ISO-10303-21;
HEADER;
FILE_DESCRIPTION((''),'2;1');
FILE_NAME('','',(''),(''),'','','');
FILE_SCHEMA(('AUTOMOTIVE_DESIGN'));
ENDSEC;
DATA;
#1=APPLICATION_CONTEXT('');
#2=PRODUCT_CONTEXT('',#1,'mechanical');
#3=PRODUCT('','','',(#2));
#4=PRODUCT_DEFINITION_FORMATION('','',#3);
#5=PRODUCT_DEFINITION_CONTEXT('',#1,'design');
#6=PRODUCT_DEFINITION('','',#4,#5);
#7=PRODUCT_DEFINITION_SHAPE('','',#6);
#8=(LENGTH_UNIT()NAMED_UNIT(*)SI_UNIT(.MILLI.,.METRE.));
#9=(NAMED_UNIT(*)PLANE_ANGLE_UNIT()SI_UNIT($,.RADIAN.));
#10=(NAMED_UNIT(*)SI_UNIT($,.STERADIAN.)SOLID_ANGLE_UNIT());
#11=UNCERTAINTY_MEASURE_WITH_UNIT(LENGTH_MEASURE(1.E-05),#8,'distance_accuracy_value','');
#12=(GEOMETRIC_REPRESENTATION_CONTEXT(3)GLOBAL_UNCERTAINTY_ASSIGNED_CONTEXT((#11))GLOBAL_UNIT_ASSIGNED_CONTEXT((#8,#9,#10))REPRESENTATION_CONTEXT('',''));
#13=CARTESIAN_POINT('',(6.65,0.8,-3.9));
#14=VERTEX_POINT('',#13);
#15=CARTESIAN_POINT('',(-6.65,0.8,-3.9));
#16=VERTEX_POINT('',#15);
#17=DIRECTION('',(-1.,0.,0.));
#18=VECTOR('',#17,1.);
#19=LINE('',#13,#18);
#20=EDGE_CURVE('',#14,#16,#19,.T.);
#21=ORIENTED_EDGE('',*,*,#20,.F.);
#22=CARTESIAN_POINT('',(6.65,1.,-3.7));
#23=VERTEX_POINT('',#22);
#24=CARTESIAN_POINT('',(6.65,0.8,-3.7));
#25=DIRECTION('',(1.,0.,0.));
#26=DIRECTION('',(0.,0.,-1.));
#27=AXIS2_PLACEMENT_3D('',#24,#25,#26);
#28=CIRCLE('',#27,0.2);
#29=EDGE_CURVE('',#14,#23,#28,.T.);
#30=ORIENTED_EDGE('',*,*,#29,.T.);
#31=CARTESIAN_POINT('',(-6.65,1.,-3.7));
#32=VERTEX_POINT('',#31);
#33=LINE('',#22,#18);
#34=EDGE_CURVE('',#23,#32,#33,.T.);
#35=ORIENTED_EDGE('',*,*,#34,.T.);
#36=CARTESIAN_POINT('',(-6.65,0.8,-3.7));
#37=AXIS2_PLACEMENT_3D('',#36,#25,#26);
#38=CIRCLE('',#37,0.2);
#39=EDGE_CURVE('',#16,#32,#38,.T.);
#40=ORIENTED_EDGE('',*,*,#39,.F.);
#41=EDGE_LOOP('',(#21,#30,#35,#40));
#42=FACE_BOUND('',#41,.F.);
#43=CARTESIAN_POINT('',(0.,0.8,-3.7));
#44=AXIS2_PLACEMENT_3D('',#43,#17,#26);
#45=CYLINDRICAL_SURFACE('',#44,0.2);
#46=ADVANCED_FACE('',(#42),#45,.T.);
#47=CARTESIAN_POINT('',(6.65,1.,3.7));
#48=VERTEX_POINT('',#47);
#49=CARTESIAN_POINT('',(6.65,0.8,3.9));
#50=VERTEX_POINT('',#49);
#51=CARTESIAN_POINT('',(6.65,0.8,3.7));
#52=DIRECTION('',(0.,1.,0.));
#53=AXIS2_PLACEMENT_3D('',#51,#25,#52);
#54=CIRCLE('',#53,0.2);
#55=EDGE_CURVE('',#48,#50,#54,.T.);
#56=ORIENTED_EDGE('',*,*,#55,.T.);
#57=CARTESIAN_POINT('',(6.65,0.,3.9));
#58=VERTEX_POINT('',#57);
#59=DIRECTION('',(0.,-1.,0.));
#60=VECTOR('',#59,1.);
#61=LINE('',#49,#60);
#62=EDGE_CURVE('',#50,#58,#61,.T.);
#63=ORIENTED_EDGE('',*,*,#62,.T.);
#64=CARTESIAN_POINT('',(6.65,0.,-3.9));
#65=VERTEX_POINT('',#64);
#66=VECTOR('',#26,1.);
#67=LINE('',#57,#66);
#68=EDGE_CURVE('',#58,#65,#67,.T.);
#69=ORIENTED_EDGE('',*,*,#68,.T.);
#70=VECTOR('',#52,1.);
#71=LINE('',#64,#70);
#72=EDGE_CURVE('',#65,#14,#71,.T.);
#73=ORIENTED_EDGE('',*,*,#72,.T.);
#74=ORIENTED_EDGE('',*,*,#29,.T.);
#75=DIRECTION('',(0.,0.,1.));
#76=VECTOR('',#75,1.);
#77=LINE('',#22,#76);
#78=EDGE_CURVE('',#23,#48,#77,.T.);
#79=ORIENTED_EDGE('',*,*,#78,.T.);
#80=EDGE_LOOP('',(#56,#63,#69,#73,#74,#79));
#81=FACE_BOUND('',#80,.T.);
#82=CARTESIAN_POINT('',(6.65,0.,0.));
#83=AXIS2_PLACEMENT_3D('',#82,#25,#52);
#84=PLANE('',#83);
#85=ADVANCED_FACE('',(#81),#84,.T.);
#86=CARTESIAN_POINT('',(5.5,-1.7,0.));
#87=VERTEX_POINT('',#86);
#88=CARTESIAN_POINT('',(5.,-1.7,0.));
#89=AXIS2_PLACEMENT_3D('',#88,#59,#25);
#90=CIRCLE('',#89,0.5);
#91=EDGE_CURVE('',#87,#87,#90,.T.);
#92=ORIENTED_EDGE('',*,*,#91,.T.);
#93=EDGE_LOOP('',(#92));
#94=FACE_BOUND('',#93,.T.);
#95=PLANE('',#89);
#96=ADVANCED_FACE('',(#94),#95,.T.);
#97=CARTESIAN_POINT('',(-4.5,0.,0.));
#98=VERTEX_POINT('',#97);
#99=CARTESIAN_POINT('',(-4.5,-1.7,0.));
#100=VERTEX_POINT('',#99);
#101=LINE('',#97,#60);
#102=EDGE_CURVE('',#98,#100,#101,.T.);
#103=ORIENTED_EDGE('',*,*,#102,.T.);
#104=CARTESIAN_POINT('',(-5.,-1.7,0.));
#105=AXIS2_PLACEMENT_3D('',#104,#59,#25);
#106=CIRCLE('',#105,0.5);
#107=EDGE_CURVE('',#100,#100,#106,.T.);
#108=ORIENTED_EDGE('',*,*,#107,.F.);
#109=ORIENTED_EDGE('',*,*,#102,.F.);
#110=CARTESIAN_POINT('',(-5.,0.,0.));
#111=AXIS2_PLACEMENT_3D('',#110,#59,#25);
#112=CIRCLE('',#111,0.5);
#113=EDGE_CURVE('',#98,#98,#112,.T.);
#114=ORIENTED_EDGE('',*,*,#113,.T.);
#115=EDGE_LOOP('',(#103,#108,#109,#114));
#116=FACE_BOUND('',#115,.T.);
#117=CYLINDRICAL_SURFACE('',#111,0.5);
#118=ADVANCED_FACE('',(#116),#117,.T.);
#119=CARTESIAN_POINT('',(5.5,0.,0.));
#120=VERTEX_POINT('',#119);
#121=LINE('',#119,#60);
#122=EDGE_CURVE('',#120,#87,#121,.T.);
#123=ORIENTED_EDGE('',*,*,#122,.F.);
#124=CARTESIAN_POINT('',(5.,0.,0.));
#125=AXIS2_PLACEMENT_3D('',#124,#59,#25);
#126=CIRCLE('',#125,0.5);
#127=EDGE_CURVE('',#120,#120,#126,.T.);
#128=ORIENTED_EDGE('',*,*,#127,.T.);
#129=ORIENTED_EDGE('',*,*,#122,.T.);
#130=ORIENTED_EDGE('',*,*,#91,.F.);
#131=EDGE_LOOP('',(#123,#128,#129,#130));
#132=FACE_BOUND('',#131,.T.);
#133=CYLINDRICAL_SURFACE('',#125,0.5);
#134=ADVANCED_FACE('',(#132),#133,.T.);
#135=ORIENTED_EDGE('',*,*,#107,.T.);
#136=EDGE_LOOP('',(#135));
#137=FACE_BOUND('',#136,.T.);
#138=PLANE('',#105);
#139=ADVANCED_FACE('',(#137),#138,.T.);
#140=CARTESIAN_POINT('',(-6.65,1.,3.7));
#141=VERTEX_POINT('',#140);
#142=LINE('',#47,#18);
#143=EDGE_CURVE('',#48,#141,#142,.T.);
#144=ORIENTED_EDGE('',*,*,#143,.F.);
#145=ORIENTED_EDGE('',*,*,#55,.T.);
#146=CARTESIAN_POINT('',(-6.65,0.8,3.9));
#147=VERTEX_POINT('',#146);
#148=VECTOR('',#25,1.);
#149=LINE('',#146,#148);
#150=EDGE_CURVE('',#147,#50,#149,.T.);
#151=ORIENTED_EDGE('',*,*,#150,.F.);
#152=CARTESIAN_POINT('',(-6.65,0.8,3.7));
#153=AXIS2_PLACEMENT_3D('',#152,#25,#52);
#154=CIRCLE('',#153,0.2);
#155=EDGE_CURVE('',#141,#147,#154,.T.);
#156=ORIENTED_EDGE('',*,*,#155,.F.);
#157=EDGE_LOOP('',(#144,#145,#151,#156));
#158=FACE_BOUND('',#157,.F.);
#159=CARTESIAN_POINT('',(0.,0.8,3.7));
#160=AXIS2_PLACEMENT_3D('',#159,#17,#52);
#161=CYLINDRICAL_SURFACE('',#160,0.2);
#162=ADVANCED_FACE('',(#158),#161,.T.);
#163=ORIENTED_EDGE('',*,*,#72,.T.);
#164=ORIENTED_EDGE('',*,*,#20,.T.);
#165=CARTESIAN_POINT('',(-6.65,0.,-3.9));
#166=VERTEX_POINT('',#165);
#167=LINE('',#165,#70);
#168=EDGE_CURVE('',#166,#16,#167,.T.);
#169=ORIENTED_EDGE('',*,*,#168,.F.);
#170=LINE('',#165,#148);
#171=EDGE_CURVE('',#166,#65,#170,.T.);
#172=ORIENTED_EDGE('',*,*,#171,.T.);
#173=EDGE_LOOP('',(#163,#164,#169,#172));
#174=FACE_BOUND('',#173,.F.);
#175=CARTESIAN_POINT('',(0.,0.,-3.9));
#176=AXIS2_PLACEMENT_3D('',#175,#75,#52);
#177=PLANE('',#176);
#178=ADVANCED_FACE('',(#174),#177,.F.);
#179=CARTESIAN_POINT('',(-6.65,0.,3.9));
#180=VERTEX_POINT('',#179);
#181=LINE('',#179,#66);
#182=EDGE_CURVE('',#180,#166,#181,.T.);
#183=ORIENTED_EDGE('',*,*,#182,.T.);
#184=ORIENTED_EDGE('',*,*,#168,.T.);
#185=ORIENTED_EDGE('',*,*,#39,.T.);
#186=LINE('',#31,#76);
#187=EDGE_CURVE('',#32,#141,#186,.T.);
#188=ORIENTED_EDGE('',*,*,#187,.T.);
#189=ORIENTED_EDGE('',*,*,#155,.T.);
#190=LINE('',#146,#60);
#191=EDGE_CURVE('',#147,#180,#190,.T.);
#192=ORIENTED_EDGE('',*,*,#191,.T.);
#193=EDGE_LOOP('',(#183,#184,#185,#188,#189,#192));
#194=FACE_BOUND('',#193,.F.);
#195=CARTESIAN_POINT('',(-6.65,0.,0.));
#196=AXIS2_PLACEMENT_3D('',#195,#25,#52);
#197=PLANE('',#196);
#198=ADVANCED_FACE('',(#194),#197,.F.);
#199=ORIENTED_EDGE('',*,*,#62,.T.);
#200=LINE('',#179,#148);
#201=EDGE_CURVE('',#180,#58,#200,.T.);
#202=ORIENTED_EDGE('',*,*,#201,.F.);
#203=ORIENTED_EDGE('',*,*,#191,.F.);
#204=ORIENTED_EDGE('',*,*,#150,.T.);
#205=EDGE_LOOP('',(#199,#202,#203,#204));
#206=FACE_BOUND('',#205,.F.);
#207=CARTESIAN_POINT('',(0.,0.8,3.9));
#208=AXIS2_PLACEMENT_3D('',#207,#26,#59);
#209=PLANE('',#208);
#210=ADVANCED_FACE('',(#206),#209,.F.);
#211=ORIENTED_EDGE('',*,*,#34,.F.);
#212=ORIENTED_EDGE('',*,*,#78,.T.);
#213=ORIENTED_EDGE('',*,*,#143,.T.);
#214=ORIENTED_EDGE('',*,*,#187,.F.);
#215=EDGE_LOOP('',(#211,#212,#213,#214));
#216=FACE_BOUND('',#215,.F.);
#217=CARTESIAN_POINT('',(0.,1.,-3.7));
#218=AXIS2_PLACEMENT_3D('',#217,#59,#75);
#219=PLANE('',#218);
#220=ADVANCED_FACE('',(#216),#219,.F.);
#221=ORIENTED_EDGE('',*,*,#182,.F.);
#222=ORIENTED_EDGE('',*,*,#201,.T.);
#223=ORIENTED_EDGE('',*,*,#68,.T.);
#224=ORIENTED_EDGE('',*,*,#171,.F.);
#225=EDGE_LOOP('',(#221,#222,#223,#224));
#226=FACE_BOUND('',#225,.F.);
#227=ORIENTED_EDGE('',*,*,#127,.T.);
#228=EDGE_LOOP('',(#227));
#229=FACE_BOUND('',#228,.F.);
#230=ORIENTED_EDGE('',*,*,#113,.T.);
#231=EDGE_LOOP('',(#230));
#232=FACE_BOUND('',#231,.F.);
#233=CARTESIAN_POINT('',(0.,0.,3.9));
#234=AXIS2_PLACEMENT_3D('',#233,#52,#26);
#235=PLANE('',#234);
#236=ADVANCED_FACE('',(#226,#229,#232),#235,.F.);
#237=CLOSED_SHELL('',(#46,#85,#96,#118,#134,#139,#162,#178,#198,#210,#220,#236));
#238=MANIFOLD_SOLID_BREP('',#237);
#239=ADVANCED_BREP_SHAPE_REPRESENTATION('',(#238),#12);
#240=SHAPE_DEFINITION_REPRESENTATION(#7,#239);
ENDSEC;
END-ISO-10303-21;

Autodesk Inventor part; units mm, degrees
sketch "Sketch_1" plane through (0, 0, 0) normal (1, 0, 0) x (0, 1, 0)
  line L0 (0.8, 3.9) -> (0, 3.9)
  line L1 (0, 3.9) -> (0, -3.9)
  line L2 (0, -3.9) -> (0.8, -3.9)
  arc A0 (0.8, -3.9) -> (1, -3.7) centre (0.8, -3.7) ccw
  line L3 (1, -3.7) -> (1, 3.7)
  arc A1 (1, 3.7) -> (0.8, 3.9) centre (0.8, 3.7) ccw
extrude "Extrusion1" add sketch "Sketch_1" along normal mid plane 13.3
sketch "Sketch_2" plane through (0, 0, 0) normal (0, 0, 1) x (1, 0, 0)
  line L0 (5, -1.7) -> (5, 0)
  line L1 (5, 0) -> (5.5, 0)
  line L2 (5.5, 0) -> (5.5, -1.7)
  line L3 (5.5, -1.7) -> (5, -1.7)
  line L4 (5, -1.7) -> (5, 0)
revolve "Revolution1" add sketch "Sketch_2" angle 360 about axis through (5, -1.7, 0) along (0, -1, 0)
sketch "Sketch_3" plane through (0, 0, 0) normal (0, 0, 1) x (1, 0, 0)
  line L0 (-5, -1.7) -> (-5, 0)
  line L1 (-5, 0) -> (-4.5, 0)
  line L2 (-4.5, 0) -> (-4.5, -1.7)
  line L3 (-4.5, -1.7) -> (-5, -1.7)
  line L4 (-5, -1.7) -> (-5, 0)
revolve "Revolution2" add sketch "Sketch_3" angle 360 about axis through (-5, -1.7, 0) along (0, -1, 0)
ref_plane "mitCover_XY" through (0, 0, 0) normal (0, 1, 0) x (1, 0, 0)
ref_plane "mitCover_YZ" through (0, 0, 0) normal (1, 0, 0) x (0, 0, -1)
ref_plane "mitCover_ZX" through (0, 0, 0) normal (0, 0, -1) x (0, 1, 0)
properties part number "ESG 8x13.5 1912130000"
